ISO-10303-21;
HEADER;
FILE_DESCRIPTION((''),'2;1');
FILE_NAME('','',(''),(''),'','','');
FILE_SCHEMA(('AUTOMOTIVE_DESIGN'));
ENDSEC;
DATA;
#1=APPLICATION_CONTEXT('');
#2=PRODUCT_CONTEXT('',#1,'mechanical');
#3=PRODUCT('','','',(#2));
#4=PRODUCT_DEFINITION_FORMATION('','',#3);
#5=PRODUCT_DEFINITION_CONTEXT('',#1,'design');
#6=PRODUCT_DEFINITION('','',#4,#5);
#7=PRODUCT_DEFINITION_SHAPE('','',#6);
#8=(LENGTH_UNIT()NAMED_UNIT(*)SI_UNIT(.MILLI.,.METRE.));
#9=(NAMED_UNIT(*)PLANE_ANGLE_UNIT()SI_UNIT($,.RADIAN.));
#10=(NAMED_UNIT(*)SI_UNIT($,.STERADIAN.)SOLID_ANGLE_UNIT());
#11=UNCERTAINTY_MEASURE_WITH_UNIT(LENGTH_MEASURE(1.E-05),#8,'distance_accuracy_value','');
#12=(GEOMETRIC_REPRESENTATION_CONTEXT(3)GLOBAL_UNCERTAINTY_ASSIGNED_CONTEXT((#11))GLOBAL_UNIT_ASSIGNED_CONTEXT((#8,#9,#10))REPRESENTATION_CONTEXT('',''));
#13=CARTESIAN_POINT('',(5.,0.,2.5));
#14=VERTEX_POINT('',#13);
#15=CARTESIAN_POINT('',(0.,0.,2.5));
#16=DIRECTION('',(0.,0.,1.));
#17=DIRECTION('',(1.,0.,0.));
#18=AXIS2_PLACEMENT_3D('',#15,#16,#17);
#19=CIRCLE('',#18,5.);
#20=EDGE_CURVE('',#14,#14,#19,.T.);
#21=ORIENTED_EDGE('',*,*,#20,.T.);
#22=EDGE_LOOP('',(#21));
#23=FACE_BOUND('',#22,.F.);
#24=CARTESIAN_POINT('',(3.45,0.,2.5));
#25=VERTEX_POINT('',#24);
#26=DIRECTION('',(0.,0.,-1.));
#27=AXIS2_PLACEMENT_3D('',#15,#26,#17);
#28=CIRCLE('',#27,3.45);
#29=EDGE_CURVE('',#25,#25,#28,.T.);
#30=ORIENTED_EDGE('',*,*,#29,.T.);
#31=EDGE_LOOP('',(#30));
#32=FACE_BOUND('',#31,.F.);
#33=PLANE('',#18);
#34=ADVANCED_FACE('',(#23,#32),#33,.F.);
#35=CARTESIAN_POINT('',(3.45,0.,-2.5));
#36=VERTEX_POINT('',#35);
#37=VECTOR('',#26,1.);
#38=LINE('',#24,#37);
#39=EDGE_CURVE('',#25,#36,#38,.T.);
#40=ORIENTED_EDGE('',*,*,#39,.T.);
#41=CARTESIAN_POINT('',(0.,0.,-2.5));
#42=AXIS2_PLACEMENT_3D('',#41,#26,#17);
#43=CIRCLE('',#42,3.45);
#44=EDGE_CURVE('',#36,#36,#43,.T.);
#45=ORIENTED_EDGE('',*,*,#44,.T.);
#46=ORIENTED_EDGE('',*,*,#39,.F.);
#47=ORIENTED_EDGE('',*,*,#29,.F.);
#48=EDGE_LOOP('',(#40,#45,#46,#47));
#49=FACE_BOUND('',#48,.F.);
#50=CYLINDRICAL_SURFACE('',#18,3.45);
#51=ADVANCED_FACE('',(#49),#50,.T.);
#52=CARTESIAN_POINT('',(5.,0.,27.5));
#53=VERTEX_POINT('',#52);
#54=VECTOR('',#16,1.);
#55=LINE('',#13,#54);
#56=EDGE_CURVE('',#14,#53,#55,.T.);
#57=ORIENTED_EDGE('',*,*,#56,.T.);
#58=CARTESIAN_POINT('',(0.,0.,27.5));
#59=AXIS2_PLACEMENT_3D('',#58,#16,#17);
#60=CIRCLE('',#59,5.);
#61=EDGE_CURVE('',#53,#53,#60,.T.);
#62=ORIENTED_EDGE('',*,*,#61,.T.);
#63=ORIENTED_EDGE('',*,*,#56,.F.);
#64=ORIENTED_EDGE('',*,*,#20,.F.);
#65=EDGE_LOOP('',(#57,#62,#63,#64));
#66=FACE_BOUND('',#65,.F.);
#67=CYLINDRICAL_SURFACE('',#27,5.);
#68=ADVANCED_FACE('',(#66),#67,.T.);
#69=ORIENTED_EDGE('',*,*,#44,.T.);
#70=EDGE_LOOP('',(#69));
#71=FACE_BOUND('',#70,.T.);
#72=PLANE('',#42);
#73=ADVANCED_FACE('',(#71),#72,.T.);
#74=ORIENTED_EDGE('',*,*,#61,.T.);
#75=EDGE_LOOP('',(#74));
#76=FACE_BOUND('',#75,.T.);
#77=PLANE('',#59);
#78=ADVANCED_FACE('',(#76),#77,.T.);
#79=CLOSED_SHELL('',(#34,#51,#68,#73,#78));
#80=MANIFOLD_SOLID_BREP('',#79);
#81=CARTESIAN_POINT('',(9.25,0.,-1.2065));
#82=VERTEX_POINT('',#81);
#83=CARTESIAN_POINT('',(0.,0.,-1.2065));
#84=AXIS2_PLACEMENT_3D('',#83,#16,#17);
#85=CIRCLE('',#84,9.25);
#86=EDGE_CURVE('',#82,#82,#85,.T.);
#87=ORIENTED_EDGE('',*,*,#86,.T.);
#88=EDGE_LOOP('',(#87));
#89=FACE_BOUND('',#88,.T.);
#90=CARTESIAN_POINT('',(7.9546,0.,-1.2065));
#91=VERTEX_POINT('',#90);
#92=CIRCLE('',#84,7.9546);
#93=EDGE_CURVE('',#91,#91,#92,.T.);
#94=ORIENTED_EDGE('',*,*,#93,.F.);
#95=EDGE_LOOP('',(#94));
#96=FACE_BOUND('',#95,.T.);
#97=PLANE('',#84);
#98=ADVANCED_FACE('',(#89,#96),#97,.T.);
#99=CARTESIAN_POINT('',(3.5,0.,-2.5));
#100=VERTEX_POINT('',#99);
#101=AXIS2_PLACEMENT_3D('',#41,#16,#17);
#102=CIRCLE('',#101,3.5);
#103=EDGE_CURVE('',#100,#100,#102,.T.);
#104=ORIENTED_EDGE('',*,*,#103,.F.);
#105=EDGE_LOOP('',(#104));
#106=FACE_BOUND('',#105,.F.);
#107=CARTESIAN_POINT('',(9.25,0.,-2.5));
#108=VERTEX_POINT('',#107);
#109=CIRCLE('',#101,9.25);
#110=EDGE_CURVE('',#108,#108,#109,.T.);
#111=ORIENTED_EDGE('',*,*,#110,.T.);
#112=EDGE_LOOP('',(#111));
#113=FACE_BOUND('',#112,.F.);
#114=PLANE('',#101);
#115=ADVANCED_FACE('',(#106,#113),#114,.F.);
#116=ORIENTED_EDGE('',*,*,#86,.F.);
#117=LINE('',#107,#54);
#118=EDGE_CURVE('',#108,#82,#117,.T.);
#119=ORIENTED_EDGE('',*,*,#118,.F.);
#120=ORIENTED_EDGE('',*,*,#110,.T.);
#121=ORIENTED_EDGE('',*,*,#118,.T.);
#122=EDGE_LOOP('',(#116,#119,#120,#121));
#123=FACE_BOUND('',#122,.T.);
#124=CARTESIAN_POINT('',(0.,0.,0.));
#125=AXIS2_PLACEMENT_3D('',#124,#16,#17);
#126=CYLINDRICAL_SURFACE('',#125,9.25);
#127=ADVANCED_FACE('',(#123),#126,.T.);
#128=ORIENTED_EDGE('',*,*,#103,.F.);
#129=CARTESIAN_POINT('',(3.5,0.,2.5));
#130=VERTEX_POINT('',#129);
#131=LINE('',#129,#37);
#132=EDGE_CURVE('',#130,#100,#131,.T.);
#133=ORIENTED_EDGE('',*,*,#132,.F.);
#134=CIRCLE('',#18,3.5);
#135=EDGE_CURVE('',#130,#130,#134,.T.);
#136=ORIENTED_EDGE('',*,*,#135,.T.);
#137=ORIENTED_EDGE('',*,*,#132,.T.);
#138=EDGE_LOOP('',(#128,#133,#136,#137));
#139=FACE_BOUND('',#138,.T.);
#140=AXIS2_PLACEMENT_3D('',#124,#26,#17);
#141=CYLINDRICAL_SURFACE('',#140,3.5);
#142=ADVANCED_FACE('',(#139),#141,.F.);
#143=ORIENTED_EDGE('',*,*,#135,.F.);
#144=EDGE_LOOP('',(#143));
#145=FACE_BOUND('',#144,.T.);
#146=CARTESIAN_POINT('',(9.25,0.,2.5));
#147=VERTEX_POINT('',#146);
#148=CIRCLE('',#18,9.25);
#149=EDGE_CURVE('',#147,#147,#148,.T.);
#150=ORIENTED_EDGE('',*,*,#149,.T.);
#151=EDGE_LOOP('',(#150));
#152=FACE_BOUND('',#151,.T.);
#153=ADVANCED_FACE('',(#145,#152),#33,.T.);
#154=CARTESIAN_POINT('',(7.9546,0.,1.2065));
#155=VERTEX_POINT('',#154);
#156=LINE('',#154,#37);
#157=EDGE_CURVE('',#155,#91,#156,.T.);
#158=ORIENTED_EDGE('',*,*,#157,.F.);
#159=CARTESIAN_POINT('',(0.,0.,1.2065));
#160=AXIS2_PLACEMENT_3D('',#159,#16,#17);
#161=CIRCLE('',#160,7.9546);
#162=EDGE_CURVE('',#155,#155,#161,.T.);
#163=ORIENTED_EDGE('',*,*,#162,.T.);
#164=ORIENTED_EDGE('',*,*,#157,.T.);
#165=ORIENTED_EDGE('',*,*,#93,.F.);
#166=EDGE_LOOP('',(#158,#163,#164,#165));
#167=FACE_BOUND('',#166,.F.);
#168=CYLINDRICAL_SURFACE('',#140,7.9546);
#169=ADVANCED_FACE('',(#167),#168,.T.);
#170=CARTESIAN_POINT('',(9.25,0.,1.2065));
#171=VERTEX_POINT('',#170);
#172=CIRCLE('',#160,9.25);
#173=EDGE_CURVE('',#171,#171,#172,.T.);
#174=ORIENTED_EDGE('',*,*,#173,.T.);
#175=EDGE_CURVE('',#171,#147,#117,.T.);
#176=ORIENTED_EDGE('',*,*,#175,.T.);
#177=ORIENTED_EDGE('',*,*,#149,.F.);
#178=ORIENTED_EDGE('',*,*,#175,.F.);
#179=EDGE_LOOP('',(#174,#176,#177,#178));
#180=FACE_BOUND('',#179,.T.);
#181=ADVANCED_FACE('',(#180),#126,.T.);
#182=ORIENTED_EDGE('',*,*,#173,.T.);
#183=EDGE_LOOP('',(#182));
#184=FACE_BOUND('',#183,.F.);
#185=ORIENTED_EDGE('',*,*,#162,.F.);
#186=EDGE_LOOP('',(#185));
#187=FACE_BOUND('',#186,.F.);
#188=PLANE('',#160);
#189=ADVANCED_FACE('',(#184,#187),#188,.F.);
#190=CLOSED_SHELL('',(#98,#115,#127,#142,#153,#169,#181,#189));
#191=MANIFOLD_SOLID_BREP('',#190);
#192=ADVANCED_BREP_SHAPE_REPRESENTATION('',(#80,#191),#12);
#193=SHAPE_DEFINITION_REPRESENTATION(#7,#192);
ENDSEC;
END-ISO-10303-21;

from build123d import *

# Parameters (mm, degrees)
F0_R     = 9.25
F0_R_2   = 3.5
F1_DEPTH = 2.5
F2_R     = 22.5
F2_R_2   = 7.9546
F3_DEPTH = 1.2065
F4_R     = 5
F5_DEPTH = 25
F6_R     = 3.45
F7_DEPTH = 5


with BuildPart() as f1:
    # F0 (on Top) → F1 (new body, symmetric)
    with BuildSketch(Plane.XY):
        Circle(F0_R)
        Circle(F0_R_2, mode=Mode.SUBTRACT)
    extrude(amount=F1_DEPTH, both=True)

    # F2 (on Top) → F3 (cut, symmetric)
    with BuildSketch(Plane.XY):
        Circle(F2_R)
        Circle(F2_R_2, mode=Mode.SUBTRACT)
    extrude(amount=F3_DEPTH, both=True, mode=Mode.SUBTRACT)


with BuildPart() as f5:
    # F4 (on face) → F5 (new body)
    with BuildSketch(Plane.XY.offset(2.5)):
        Circle(F4_R)
    extrude(amount=F5_DEPTH)

    # F6 (on face) → F7 (join, through all)
    with BuildSketch(Plane(origin=(0, 0, 2.5), x_dir=(1, 0, 0), z_dir=(0, 0, -1))):
        Circle(F6_R)
    extrude(amount=F7_DEPTH)


solid = Compound([f1.part, f5.part])
